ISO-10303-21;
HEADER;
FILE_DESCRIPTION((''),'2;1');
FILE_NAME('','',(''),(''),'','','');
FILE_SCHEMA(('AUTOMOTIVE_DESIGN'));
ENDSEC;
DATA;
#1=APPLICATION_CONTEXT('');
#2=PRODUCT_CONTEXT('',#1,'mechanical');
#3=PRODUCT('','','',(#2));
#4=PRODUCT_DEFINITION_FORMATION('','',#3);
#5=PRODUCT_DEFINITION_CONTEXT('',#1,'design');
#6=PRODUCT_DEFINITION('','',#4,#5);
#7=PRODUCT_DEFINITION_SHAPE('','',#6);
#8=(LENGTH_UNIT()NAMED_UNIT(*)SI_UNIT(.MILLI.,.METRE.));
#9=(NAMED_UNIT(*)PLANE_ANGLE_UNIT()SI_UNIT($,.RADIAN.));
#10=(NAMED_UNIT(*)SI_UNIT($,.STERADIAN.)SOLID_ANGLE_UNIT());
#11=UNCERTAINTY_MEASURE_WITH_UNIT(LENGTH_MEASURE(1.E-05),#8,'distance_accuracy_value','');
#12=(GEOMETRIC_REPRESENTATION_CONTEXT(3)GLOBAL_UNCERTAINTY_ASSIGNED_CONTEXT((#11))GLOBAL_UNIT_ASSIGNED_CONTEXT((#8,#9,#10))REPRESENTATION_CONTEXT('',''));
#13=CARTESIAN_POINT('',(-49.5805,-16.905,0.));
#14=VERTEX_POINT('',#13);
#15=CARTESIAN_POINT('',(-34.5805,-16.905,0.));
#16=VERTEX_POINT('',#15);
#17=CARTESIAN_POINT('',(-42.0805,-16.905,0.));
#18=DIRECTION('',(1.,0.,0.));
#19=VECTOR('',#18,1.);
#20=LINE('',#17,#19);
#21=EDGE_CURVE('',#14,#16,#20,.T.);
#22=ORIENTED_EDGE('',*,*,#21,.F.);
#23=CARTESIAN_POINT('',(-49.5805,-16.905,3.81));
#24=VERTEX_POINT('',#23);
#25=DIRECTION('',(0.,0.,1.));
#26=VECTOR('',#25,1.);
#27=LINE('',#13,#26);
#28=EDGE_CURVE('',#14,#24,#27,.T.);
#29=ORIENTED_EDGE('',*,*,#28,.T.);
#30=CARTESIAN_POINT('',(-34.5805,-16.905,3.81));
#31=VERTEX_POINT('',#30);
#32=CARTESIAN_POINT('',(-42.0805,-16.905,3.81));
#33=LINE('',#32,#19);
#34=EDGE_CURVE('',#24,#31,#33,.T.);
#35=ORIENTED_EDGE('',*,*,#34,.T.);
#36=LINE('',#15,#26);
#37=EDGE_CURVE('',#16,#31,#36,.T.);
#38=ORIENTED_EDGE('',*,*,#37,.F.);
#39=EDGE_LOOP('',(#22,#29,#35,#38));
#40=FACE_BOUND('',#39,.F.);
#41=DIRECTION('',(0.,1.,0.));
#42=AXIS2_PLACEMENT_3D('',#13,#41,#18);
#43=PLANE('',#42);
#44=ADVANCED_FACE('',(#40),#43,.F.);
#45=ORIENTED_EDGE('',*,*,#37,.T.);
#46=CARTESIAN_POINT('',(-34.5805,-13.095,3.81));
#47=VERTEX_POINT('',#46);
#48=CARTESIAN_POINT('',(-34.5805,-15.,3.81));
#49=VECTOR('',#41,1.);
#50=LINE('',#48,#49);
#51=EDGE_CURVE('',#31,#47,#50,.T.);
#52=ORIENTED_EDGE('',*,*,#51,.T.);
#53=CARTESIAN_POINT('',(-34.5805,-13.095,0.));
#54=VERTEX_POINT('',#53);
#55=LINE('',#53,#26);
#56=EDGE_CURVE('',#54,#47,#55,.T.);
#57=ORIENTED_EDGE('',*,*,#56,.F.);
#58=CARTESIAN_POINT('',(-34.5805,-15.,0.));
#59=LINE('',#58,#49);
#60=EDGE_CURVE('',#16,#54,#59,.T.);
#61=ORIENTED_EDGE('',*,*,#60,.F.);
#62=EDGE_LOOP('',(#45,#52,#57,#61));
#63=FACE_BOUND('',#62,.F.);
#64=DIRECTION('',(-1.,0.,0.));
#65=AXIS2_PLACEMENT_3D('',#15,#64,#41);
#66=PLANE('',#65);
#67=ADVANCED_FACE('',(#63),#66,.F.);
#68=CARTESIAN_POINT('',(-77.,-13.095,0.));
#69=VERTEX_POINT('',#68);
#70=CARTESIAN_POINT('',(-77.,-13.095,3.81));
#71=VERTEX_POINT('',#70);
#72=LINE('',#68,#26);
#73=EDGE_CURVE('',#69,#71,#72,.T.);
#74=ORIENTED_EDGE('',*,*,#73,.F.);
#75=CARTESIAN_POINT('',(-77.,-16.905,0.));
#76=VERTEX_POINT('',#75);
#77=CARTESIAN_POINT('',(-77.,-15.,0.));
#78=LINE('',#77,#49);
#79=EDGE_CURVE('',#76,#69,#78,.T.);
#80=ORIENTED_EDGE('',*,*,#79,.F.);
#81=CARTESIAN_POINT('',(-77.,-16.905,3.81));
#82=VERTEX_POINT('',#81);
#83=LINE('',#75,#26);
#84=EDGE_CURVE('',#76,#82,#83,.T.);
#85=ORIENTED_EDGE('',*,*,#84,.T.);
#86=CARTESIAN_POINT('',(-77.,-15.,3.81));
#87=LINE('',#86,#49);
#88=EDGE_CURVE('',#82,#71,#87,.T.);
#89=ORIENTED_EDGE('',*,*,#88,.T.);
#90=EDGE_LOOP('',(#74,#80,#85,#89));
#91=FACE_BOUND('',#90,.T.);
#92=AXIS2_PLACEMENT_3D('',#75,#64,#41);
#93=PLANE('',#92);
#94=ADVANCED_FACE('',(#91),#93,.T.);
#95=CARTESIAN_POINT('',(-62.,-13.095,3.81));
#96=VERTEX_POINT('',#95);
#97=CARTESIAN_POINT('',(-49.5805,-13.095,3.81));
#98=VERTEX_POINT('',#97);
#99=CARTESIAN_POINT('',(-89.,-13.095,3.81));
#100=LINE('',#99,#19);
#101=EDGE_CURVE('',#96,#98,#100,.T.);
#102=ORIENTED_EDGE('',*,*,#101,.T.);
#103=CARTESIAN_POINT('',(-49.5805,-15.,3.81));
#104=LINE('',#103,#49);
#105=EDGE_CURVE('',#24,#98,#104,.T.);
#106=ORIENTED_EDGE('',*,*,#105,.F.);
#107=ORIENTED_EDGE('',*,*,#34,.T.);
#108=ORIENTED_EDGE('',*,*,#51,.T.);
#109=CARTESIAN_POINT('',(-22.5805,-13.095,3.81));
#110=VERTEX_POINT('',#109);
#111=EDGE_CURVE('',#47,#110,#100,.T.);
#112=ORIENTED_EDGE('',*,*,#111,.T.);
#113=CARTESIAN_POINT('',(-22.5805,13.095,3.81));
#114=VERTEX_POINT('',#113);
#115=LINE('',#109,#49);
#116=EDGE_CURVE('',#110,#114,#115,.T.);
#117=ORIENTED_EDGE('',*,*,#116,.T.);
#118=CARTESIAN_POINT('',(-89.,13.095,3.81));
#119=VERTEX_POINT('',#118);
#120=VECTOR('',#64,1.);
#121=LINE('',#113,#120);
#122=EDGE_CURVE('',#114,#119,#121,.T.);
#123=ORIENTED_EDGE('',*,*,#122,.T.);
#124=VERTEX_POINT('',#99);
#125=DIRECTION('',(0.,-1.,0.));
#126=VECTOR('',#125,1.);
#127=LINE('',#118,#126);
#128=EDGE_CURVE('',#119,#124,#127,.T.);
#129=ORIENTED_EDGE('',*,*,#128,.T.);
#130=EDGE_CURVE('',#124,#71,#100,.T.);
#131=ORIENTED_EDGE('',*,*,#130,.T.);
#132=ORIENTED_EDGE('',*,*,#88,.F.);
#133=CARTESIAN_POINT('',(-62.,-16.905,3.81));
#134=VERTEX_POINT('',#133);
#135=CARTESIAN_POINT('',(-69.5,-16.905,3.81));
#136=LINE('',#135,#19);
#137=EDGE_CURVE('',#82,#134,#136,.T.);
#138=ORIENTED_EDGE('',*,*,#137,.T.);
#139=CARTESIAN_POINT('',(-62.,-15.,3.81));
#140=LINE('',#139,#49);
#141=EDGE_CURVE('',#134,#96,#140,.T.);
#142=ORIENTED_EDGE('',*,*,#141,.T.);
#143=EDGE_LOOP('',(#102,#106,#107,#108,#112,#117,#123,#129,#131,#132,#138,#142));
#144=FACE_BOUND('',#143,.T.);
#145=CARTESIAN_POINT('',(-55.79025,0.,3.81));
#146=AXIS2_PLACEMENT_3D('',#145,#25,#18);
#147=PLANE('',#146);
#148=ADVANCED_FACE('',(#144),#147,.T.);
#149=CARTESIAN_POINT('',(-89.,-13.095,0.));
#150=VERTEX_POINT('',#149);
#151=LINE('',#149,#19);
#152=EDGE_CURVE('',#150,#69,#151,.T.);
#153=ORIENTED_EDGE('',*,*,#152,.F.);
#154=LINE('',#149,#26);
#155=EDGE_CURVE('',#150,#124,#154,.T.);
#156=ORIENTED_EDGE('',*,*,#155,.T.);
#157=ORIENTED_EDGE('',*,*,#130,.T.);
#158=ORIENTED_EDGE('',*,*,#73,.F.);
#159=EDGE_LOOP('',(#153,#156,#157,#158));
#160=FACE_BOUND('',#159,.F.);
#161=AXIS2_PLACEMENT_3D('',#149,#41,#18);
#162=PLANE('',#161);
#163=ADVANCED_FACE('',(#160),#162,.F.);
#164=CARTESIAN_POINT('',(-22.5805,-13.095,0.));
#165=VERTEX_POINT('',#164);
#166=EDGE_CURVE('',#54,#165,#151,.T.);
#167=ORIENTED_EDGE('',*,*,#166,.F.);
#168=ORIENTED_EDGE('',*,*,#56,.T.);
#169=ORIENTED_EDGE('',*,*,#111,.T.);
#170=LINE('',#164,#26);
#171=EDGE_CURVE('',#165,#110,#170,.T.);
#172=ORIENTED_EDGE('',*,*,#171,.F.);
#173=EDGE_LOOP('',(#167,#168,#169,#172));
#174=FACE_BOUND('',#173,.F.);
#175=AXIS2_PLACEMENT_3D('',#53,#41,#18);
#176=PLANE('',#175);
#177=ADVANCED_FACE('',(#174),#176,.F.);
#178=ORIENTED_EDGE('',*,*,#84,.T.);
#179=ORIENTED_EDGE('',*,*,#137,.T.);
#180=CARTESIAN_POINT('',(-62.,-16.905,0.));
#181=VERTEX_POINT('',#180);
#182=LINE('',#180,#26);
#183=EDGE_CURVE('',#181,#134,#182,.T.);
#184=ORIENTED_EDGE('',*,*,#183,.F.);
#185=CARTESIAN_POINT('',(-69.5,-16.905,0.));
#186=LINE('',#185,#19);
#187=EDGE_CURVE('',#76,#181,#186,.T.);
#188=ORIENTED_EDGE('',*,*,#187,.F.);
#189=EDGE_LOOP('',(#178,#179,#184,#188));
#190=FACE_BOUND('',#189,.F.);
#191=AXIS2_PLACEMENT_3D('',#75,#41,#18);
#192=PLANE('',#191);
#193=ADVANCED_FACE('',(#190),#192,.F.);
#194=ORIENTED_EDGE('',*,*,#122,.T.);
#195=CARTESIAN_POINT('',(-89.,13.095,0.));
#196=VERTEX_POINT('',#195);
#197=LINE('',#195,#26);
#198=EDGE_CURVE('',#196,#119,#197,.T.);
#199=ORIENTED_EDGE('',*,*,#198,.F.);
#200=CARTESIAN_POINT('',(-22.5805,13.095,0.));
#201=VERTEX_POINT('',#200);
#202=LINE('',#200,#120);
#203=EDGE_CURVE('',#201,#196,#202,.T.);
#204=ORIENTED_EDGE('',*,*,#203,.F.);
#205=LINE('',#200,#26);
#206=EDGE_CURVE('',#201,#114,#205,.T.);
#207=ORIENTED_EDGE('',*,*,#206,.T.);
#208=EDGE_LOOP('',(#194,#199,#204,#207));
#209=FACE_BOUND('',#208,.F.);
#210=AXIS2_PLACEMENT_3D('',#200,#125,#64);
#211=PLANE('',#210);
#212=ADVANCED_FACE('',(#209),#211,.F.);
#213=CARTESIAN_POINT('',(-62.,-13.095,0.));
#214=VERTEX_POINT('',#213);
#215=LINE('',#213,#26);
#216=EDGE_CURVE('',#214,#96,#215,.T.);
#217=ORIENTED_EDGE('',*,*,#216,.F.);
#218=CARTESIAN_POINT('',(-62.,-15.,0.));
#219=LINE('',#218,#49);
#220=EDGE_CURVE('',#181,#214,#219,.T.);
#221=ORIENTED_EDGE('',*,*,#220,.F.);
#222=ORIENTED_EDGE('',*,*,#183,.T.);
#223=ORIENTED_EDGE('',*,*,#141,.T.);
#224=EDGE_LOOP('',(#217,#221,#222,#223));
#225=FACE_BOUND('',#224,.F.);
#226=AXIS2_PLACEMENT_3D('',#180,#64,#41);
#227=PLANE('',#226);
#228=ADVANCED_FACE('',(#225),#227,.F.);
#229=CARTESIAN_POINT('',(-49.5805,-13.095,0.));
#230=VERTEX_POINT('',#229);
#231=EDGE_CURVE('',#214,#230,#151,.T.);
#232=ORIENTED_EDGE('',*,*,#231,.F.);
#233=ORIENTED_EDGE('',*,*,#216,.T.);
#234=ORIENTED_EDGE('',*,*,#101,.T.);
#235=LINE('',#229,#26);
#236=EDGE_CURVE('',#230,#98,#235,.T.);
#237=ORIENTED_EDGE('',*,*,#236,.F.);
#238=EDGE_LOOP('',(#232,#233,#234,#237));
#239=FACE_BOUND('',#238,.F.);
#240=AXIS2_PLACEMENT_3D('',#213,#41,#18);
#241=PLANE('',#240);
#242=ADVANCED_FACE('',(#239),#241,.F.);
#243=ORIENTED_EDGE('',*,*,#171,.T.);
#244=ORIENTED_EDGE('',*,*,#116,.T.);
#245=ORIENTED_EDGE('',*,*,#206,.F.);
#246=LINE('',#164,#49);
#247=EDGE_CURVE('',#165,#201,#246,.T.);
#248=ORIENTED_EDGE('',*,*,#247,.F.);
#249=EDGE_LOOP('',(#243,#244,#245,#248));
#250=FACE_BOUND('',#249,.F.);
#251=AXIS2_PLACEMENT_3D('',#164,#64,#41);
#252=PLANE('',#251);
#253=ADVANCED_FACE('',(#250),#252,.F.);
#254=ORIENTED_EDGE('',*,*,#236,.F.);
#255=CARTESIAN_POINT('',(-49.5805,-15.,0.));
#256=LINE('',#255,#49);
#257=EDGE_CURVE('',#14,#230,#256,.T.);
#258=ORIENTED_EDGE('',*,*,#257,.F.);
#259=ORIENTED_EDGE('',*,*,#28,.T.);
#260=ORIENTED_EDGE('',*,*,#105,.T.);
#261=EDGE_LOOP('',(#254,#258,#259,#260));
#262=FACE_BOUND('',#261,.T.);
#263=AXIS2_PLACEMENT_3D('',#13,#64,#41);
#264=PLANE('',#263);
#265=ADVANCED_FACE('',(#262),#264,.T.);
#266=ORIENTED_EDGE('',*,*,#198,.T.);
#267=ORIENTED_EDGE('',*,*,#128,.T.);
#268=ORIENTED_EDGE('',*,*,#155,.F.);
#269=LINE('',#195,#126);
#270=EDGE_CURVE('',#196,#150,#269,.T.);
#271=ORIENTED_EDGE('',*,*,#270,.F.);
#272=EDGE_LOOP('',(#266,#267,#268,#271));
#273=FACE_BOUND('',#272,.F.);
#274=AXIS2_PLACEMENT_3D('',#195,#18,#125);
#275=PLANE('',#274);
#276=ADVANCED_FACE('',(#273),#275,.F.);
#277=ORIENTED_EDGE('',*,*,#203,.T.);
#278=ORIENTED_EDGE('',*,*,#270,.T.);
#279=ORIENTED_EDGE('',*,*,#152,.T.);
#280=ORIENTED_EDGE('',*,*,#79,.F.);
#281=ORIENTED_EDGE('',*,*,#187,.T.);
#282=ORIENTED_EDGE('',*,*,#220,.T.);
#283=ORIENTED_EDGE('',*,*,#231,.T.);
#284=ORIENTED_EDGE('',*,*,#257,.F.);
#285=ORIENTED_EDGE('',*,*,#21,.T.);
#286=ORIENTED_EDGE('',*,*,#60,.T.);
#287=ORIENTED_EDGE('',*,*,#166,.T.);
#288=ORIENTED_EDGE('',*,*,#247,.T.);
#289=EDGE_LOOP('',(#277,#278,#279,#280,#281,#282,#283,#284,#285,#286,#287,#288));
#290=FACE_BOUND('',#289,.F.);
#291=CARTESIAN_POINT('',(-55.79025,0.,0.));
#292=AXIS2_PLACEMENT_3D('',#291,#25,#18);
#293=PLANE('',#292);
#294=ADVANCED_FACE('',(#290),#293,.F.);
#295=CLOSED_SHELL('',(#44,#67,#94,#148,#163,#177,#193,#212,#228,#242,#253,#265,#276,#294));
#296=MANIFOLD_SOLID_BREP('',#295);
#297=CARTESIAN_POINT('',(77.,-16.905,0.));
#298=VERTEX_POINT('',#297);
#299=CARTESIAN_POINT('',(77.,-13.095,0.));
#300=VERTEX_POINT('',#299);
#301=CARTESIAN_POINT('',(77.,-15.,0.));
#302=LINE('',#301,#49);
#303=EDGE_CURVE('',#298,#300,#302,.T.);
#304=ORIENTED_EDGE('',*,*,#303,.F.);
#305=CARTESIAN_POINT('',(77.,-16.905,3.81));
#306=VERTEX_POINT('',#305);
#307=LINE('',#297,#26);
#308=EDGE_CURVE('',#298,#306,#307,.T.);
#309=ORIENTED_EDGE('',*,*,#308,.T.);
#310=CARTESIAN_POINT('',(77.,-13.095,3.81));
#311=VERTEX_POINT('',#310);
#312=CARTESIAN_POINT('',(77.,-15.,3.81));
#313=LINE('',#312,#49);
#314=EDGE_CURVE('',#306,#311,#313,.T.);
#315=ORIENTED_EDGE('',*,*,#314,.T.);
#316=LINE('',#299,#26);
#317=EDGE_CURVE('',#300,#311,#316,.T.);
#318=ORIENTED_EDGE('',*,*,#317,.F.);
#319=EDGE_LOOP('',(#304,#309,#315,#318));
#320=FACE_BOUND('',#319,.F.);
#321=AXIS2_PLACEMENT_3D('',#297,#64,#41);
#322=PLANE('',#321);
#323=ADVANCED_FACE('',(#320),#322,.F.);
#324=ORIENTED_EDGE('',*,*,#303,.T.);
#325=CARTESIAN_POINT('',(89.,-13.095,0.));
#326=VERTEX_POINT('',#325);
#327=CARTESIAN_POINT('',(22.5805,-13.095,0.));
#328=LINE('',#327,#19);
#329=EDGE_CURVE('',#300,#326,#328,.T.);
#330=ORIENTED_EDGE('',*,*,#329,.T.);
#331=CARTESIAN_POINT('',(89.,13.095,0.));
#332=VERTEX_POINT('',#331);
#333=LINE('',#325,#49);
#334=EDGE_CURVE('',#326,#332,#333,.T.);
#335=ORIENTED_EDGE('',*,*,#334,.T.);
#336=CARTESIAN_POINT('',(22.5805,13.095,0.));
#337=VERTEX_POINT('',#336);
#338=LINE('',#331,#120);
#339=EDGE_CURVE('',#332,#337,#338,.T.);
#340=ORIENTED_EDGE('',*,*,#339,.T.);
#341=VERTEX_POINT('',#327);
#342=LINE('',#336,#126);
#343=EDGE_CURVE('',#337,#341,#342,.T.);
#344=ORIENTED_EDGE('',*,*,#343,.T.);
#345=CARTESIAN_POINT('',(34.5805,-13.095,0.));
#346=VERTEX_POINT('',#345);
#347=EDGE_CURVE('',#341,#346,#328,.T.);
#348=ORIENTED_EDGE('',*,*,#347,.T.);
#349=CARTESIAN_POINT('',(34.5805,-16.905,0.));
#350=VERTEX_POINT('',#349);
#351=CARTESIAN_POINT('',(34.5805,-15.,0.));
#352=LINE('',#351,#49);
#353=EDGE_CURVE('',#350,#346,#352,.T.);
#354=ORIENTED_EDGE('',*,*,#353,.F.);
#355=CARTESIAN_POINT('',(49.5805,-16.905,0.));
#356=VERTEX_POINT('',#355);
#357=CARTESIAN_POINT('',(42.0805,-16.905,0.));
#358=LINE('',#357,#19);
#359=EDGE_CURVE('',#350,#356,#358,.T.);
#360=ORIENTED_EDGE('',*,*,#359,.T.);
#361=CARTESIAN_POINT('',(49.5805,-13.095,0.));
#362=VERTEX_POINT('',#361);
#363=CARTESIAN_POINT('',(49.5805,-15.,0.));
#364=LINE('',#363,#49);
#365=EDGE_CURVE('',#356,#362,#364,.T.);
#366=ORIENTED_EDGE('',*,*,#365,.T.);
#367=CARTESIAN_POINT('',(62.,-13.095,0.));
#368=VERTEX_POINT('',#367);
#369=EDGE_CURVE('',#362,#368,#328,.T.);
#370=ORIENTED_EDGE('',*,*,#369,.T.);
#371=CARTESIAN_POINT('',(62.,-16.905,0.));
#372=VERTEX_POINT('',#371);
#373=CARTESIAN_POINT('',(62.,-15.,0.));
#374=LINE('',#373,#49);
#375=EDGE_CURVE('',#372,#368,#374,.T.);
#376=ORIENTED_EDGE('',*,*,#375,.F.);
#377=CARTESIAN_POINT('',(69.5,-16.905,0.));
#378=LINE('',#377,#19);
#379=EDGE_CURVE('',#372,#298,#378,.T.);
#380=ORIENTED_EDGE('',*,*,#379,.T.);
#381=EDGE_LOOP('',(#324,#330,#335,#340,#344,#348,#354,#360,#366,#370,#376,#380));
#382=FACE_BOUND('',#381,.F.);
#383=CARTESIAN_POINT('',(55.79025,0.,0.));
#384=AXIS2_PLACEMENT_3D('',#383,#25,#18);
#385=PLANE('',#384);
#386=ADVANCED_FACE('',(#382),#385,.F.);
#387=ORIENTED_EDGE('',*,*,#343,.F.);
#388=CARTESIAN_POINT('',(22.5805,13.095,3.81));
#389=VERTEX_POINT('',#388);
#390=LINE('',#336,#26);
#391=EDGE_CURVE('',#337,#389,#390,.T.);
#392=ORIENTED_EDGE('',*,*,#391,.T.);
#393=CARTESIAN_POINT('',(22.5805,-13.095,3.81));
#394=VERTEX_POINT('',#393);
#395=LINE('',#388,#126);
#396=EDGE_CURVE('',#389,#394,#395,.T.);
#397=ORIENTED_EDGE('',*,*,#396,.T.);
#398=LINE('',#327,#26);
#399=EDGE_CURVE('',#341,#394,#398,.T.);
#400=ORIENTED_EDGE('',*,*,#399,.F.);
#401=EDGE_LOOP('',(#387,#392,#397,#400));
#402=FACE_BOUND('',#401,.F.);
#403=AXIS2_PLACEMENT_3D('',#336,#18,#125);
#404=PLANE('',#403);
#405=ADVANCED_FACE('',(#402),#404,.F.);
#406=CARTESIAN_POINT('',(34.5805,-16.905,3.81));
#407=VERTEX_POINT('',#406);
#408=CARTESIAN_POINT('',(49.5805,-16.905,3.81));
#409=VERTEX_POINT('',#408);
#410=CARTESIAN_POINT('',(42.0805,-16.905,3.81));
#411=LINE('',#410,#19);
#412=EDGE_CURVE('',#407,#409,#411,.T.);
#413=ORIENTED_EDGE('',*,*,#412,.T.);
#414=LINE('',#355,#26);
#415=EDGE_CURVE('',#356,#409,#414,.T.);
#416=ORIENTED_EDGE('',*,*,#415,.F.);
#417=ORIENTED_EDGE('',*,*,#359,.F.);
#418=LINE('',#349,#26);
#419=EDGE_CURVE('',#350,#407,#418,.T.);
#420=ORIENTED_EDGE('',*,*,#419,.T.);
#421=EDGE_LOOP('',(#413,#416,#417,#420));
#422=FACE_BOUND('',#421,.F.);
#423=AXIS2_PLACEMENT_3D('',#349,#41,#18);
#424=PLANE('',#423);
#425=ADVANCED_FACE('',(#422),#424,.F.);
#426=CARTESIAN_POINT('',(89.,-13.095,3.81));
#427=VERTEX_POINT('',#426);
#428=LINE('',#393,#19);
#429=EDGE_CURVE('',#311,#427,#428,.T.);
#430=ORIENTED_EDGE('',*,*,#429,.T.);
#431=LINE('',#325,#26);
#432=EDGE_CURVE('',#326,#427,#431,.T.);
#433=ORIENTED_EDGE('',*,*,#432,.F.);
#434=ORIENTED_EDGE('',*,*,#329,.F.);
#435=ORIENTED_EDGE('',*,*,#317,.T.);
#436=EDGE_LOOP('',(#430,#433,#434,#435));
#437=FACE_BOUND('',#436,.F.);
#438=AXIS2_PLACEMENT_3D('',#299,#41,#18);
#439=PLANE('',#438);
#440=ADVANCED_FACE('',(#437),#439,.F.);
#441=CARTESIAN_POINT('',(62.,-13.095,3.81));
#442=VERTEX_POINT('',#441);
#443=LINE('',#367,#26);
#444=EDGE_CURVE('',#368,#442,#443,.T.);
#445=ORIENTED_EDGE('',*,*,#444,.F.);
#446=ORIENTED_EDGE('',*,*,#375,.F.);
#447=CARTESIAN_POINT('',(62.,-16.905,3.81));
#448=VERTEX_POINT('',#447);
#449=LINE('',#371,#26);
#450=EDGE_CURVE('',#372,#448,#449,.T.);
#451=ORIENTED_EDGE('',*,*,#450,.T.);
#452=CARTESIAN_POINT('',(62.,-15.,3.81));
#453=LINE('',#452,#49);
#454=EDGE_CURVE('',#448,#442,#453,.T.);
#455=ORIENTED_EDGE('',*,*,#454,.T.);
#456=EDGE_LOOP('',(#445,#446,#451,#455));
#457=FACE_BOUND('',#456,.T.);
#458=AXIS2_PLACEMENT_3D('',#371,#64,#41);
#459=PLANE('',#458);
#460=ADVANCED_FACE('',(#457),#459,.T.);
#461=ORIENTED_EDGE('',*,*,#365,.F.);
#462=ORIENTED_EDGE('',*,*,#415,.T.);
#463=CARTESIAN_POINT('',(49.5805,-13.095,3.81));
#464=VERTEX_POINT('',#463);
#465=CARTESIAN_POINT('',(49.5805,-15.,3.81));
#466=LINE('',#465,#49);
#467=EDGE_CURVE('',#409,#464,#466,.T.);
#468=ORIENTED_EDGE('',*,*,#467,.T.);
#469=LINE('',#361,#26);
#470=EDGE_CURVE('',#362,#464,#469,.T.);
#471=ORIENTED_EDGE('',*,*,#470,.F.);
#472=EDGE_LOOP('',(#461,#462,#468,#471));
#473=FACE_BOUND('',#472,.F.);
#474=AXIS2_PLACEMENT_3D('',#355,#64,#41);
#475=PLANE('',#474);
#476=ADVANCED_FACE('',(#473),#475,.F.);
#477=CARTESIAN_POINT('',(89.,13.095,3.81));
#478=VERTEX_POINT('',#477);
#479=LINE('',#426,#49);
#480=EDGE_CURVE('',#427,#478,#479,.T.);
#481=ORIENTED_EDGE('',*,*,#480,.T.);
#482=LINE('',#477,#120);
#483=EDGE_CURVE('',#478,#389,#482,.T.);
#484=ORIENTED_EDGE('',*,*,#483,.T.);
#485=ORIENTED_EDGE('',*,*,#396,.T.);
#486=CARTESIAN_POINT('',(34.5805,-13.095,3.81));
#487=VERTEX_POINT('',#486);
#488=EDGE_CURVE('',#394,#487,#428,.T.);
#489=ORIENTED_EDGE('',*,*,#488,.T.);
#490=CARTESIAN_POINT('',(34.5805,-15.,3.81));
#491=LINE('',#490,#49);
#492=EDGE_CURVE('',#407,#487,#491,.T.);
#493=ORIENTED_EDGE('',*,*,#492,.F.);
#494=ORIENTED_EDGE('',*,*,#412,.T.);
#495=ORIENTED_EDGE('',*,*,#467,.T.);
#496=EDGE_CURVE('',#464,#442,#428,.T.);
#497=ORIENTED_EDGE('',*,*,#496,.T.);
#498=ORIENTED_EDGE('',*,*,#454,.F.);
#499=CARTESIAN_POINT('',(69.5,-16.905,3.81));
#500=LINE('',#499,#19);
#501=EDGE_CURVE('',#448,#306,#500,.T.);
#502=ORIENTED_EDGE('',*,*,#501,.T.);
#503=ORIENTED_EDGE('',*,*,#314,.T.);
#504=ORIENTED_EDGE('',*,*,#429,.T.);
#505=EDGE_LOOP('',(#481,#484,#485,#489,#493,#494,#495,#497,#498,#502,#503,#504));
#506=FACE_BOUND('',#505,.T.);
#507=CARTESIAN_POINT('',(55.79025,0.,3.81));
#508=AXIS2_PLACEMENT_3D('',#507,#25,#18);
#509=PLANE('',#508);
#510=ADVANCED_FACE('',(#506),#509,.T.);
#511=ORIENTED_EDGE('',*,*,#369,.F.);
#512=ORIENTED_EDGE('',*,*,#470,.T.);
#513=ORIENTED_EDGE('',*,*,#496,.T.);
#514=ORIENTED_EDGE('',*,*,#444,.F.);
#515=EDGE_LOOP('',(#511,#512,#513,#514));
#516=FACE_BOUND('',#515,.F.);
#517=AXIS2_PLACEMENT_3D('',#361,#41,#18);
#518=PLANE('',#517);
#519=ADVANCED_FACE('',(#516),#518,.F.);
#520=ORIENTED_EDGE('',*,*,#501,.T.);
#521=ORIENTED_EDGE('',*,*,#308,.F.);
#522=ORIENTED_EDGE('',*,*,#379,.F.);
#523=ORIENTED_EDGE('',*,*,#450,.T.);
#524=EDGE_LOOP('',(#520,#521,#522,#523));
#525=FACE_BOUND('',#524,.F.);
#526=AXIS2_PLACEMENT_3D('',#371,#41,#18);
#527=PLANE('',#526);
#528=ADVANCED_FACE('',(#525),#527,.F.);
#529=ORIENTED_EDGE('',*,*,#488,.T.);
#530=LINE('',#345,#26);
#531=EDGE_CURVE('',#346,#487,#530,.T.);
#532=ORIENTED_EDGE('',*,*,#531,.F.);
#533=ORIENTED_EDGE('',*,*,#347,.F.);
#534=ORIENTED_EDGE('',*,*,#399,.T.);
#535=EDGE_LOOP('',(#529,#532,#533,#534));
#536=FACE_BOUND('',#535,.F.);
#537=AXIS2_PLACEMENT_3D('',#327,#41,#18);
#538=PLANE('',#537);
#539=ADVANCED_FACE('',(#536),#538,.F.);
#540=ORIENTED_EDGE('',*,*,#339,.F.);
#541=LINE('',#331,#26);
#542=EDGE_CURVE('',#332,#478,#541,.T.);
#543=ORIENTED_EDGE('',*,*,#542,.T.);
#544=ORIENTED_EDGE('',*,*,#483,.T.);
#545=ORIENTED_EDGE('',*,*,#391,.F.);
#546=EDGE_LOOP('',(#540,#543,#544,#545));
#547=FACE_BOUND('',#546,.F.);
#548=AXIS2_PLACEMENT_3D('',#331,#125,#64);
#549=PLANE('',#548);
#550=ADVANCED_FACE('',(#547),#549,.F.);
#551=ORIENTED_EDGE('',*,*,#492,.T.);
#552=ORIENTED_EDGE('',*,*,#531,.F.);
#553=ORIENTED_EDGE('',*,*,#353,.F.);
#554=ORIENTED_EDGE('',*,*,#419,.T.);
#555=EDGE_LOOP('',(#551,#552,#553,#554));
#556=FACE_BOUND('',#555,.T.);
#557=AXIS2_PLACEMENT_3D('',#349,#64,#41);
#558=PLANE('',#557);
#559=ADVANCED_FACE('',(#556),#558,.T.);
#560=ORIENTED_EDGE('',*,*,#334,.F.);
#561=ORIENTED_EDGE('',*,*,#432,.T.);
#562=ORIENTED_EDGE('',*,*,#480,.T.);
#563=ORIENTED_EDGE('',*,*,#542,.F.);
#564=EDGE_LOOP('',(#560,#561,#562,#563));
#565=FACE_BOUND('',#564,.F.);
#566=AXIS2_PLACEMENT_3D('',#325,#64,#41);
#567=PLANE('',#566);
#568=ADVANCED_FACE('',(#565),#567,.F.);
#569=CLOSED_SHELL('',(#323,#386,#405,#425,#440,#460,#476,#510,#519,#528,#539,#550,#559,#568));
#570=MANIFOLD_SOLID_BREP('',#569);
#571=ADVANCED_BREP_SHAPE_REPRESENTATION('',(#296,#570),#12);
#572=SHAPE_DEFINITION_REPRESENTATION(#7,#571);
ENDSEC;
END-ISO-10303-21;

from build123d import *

# Parameters (mm, degrees)
F0_W     = 15
F0_H     = 3.81
F1_DEPTH = 3.81


with BuildPart() as f1:
    # F0 (on Top) → F1 (new body)
    with BuildSketch(Plane.XY):
        Polygon((-22.5805, -13.095), (-22.5805, 13.095), (-89, 13.095), (-89, -13.095), (-77, -13.095), (-62, -13.095), (-49.5805, -13.095), (-34.5805, -13.095), align=None)
        with Locations((-69.5, -15)):
            Rectangle(F0_W, F0_H)
        with Locations((-42.0805, -15)):
            Rectangle(F0_W, F0_H)
        Polygon((89, -13.095), (89, 13.095), (22.5805, 13.095), (22.5805, -13.095), (34.5805, -13.095), (49.5805, -13.095), (62, -13.095), (77, -13.095), align=None)
        with Locations((42.0805, -15)):
            Rectangle(F0_W, F0_H)
        with Locations((69.5, -15)):
            Rectangle(F0_W, F0_H)
    extrude(amount=F1_DEPTH)


solid = f1.part
